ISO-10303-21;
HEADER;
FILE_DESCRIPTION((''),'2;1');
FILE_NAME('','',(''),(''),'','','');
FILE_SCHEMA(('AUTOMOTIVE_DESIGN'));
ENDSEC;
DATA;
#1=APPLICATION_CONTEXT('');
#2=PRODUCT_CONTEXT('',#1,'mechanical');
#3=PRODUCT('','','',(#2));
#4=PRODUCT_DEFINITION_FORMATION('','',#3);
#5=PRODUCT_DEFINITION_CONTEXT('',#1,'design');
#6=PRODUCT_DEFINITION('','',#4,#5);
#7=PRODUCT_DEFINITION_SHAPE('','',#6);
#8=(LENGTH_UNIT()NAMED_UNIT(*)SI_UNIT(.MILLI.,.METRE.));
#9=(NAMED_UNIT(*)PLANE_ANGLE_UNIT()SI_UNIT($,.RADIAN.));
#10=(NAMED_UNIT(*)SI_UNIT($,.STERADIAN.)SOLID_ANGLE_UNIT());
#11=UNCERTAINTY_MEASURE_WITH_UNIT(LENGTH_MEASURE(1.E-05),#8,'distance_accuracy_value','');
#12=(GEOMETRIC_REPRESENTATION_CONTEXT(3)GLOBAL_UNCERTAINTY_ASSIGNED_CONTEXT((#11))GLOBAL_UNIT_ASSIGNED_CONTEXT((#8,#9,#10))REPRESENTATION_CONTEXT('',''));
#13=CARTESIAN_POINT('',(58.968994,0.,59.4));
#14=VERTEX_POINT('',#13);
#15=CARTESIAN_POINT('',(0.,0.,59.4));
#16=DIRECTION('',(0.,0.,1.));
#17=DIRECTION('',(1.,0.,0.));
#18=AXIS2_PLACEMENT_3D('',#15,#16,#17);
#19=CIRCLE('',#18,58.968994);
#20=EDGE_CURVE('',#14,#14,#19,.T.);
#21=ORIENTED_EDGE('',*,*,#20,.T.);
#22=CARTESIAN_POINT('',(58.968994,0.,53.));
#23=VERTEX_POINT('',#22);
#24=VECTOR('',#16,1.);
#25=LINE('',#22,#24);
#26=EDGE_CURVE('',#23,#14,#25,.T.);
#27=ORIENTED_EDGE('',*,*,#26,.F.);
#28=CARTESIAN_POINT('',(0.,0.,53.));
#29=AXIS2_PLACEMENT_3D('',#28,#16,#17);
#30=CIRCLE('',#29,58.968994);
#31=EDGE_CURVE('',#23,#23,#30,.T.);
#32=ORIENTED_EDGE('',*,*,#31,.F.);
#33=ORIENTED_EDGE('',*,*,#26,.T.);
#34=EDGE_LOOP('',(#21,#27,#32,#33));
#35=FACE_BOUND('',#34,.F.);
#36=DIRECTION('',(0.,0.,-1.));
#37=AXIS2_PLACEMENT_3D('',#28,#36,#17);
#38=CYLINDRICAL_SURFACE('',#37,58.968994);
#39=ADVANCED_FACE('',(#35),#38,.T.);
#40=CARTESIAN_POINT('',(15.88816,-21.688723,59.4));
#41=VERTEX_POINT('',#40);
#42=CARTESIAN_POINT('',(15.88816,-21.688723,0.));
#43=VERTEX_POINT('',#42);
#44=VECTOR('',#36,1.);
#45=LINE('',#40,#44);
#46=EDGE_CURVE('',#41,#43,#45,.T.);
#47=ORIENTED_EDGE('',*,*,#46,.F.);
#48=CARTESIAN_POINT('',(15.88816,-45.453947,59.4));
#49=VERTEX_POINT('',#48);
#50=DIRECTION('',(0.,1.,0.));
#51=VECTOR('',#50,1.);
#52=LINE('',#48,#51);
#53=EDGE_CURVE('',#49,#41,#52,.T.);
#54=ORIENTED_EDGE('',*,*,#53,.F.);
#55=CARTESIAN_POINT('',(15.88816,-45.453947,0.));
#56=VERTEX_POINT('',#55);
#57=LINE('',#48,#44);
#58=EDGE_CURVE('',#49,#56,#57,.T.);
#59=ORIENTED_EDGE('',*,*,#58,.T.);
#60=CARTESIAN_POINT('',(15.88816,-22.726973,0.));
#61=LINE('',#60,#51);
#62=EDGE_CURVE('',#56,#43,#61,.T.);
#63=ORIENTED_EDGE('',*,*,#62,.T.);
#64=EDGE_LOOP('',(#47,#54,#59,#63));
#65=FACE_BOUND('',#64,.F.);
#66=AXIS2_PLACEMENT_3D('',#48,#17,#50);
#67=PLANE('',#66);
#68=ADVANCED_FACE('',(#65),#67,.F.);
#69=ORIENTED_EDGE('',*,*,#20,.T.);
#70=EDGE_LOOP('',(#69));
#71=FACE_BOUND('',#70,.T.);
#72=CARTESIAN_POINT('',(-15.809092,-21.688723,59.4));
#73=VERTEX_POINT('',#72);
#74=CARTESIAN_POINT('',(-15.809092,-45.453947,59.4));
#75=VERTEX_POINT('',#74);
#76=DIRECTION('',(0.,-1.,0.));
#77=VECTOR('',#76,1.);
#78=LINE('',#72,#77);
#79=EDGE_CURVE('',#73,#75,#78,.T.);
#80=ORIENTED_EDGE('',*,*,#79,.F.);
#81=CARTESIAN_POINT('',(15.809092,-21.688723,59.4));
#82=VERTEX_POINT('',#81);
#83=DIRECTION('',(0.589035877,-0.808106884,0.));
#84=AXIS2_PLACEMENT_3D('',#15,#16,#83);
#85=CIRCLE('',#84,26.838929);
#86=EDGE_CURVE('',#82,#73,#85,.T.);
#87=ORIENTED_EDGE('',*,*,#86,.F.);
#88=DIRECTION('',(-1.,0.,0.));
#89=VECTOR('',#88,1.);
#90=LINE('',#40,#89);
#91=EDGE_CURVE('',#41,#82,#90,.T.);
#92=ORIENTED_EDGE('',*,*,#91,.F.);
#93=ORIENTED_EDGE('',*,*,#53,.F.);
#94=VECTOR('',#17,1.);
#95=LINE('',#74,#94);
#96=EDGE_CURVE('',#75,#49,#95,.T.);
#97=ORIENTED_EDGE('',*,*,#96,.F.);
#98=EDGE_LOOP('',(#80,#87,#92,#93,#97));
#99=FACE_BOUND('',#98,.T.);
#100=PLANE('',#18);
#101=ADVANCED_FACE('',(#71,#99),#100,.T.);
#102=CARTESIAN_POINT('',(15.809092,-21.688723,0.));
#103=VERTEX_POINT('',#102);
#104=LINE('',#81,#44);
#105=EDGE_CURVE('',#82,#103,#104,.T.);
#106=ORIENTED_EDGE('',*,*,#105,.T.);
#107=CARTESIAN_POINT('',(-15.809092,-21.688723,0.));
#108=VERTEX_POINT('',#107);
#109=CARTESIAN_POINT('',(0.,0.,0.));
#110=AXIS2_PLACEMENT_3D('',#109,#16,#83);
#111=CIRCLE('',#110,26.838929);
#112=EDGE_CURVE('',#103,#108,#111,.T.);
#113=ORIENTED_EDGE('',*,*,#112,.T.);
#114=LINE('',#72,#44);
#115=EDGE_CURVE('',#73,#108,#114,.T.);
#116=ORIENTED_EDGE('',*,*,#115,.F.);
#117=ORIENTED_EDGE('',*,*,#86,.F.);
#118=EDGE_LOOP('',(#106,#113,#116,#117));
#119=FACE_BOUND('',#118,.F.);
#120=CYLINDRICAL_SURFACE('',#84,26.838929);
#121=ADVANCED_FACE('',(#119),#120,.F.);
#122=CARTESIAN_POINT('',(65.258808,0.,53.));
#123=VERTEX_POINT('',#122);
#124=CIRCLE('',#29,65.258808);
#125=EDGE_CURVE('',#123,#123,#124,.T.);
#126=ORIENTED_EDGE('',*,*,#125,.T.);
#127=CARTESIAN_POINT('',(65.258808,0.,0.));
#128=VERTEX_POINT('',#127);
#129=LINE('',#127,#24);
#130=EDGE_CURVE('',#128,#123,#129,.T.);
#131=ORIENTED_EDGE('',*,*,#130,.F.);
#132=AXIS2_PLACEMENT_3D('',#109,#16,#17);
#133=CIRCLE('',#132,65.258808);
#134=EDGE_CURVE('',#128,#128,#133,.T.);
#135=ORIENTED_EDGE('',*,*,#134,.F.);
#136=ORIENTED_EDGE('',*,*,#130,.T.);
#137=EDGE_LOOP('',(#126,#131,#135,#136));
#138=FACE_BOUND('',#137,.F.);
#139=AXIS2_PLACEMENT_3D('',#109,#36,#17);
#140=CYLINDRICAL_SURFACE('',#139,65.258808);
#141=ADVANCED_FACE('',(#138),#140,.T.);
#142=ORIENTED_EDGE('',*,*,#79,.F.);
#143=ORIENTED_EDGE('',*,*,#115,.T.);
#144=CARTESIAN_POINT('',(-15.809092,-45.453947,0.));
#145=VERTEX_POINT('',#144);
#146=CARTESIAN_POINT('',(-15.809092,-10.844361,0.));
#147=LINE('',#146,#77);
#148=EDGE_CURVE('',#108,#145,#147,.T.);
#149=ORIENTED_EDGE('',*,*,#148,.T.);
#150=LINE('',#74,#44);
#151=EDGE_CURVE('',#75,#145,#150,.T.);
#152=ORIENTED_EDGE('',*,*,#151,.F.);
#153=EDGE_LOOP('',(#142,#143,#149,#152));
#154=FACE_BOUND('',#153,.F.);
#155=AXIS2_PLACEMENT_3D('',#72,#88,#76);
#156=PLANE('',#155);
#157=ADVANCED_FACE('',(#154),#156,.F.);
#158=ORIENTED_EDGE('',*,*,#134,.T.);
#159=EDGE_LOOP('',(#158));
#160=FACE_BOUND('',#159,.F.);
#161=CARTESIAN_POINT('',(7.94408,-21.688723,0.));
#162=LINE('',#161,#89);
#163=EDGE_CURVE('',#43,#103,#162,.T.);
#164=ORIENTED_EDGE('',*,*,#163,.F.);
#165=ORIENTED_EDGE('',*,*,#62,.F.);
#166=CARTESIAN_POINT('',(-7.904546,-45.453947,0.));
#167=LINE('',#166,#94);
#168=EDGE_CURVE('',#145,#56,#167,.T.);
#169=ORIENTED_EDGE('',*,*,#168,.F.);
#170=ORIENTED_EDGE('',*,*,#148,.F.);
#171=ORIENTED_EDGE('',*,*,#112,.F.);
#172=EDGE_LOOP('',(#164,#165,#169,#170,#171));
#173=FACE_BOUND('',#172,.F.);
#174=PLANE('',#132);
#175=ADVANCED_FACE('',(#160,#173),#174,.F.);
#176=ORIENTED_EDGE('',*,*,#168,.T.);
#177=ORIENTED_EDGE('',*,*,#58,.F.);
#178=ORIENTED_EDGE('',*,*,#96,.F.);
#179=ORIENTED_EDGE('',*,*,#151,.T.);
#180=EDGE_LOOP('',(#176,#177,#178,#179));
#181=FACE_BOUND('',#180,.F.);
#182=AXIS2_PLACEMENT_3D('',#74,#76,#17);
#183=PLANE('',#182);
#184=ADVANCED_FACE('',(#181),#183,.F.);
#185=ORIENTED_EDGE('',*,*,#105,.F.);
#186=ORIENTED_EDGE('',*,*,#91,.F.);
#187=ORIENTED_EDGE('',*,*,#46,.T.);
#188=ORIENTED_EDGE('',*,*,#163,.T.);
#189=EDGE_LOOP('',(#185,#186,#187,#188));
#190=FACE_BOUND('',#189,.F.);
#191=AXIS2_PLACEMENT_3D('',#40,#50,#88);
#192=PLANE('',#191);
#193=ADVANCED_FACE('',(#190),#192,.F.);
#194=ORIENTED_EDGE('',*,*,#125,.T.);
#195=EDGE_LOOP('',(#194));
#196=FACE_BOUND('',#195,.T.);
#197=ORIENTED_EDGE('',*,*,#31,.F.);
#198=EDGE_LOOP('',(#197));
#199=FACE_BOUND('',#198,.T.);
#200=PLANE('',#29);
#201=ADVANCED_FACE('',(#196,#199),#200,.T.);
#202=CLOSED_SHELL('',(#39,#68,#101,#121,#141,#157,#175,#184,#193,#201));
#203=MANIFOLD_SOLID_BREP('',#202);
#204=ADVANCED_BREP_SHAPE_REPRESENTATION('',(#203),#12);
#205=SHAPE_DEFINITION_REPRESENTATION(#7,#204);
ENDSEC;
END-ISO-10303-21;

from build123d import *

# Parameters (mm, degrees)
F0_R     = 65.258808
F1_DEPTH = 53
F2_R     = 58.968994
F3_DEPTH = 6.4
F5_DEPTH = 73.5


with BuildPart() as f1:
    # F0 (on Top) → F1 (new body)
    with BuildSketch(Plane.XY):
        Circle(F0_R)
    extrude(amount=F1_DEPTH)

    # F2 (on face) → F3 (join)
    with BuildSketch(Plane.XY.offset(53)):
        Circle(F2_R)
    extrude(amount=F3_DEPTH)

    # F4 (on face) → F5 (cut)
    with BuildSketch(Plane.XY.offset(59.4)):
        with BuildLine():
            Line((15.88816, -21.688723), (15.809092, -21.688723))
            ThreePointArc((15.809092, -21.688723), (0, 26.838929), (-15.809092, -21.688723))
            Line((-15.809092, -21.688723), (-15.809092, -45.453947))
            Line((-15.809092, -45.453947), (15.88816, -45.453947))
            Line((15.88816, -45.453947), (15.88816, -21.688723))
        make_face()
    extrude(amount=-F5_DEPTH, mode=Mode.SUBTRACT)


solid = f1.part
